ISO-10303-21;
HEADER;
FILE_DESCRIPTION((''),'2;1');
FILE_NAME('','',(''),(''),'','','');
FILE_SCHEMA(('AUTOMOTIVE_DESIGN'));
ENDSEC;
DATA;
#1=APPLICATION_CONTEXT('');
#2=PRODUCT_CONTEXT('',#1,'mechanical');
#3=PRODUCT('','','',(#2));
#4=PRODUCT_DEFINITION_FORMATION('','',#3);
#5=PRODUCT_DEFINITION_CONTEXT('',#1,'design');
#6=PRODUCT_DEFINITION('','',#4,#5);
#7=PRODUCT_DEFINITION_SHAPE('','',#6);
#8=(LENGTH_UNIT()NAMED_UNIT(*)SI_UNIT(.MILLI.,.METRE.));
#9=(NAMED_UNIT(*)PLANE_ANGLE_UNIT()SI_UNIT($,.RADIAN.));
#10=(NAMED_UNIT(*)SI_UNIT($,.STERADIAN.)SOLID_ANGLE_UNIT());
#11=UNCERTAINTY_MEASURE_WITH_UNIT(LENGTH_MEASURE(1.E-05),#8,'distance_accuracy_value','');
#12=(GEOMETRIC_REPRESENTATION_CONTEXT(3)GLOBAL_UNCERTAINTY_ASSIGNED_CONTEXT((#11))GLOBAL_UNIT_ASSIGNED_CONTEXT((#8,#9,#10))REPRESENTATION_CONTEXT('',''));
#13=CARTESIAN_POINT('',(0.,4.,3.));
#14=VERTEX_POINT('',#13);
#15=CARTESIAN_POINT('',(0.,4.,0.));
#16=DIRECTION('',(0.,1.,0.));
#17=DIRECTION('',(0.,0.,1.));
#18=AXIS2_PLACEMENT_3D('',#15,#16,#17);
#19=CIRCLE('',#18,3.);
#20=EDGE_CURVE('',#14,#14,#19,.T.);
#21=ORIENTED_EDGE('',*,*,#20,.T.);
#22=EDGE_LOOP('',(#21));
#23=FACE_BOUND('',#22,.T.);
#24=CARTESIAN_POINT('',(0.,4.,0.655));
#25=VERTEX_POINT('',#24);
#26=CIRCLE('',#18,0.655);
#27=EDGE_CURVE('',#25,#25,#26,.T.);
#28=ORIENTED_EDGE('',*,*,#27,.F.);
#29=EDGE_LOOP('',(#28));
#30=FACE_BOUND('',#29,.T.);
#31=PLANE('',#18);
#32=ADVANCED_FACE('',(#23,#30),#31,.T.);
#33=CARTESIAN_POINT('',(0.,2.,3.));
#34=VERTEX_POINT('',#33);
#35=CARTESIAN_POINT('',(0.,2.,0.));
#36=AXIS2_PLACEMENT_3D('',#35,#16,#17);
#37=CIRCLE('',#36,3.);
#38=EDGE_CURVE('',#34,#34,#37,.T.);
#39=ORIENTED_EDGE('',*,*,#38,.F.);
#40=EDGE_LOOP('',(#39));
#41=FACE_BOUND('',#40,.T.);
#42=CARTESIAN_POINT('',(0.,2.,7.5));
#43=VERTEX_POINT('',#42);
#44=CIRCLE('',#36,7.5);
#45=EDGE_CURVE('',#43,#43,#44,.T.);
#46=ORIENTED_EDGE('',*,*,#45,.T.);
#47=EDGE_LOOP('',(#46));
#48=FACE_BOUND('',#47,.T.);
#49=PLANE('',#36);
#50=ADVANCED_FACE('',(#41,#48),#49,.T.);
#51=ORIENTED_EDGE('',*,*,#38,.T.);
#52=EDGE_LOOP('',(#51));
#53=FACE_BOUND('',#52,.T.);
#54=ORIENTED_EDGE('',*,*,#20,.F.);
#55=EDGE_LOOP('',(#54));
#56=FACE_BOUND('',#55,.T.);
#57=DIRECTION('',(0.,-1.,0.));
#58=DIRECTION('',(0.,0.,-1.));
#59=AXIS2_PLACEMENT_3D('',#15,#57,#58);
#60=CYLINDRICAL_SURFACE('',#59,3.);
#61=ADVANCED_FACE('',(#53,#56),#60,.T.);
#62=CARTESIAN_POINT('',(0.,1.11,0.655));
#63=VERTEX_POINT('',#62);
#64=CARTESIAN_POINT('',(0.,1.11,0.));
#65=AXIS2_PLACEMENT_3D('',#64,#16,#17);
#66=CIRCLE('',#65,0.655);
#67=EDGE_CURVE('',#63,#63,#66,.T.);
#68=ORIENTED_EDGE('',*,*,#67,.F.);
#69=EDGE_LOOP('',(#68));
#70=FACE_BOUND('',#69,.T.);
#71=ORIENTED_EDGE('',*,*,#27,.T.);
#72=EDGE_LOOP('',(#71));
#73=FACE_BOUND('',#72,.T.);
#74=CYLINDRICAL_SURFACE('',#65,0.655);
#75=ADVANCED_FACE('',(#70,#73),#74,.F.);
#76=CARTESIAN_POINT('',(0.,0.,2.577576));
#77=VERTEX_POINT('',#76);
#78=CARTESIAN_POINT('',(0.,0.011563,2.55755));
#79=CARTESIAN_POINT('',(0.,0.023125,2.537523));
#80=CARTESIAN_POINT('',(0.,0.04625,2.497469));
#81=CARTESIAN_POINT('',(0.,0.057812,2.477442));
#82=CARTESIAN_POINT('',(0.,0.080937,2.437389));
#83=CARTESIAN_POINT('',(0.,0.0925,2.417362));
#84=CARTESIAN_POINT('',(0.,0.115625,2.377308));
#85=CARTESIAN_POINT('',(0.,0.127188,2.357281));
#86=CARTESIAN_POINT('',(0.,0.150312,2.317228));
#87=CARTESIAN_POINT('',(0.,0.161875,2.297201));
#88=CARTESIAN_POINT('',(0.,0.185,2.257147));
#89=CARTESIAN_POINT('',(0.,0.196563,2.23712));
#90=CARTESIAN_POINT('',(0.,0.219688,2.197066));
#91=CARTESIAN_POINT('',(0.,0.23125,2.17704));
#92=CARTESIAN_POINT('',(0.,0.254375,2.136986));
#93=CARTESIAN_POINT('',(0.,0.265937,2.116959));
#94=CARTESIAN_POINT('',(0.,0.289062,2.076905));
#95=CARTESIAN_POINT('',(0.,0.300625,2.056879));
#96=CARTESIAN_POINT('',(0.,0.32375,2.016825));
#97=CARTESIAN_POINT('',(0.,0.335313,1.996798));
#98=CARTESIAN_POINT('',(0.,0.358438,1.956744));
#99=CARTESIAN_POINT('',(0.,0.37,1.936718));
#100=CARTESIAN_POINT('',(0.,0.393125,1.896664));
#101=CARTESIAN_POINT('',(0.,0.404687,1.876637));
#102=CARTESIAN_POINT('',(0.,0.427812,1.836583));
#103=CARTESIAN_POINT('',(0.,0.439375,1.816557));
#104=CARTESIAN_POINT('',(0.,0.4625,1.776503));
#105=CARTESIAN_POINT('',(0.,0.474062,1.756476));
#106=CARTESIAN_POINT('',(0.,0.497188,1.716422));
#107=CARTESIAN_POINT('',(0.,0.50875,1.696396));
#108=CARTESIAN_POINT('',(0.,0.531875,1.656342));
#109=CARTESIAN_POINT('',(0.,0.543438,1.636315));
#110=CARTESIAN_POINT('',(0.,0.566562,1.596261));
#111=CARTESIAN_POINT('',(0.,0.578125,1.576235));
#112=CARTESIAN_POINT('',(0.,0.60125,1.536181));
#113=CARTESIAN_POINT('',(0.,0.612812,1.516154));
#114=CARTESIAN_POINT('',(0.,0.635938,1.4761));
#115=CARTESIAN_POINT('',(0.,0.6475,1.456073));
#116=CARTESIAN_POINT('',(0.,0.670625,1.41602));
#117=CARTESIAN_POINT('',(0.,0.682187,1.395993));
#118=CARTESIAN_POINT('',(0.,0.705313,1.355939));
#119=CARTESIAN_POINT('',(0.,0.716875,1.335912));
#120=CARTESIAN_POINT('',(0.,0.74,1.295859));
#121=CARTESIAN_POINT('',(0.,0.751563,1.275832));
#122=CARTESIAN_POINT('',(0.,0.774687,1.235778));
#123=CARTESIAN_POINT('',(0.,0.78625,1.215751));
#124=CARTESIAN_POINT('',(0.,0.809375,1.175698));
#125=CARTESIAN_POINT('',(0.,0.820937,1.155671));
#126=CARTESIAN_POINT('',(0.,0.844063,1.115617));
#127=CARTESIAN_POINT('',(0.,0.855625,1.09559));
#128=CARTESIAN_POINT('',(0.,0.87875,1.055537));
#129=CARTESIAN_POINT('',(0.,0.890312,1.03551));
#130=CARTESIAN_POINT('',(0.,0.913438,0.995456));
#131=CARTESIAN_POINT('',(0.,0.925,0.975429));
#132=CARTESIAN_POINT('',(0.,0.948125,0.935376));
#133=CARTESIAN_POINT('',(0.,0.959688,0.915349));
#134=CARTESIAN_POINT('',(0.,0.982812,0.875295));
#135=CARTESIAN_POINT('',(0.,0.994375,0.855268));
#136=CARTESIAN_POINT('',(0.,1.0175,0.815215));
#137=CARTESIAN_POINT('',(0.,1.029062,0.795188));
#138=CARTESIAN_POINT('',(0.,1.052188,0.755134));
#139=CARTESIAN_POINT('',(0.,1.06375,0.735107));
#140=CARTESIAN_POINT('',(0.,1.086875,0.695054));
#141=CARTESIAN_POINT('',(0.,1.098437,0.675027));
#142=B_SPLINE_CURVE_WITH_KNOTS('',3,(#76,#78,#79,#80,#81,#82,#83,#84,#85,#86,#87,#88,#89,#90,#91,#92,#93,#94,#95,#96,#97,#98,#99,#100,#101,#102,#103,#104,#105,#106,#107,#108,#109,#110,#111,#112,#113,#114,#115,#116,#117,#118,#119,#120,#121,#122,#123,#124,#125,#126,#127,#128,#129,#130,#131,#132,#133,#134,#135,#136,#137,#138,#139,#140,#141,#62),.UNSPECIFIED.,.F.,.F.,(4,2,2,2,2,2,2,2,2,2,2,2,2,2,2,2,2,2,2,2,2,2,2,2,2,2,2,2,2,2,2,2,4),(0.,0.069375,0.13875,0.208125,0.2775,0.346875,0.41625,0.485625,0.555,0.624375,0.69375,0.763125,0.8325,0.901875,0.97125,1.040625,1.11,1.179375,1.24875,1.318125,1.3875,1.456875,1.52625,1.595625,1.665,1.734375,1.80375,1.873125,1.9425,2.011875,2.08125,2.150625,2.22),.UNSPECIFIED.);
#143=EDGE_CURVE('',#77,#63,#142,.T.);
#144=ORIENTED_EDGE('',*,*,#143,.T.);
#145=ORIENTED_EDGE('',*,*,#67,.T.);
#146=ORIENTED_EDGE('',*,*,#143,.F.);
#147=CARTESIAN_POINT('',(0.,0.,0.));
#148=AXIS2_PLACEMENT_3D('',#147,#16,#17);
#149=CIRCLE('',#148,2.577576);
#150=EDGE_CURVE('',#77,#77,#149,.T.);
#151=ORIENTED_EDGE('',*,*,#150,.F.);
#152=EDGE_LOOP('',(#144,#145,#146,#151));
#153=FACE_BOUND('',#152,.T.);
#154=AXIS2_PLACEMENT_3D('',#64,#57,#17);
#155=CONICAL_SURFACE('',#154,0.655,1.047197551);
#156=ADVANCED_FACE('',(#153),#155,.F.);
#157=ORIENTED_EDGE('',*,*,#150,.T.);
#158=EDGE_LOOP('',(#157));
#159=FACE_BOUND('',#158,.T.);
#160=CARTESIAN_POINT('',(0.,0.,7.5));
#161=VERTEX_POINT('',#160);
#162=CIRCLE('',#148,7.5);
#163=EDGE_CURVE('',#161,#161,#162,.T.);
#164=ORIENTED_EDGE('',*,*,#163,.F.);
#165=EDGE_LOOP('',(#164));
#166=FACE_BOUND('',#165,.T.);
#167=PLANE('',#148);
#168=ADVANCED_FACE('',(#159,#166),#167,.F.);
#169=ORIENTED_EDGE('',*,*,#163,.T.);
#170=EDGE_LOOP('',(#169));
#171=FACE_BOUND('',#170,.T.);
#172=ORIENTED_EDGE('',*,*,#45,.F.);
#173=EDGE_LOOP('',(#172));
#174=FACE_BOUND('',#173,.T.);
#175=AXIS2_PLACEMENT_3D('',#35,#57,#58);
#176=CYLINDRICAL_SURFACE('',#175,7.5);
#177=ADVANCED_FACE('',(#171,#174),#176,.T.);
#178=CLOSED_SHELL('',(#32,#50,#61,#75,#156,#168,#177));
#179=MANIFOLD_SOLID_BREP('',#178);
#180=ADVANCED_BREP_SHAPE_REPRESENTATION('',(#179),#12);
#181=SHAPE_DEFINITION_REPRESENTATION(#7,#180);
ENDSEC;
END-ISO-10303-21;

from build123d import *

# Parameters (mm, degrees)
SKETCH1_R           = 7.5
BOSS_EXTRUDE1_DEPTH = 2
SKETCH2_R           = 3
BOSS_EXTRUDE2_DEPTH = 2
SKETCH3_R           = 0.655
CUT_EXTRUDE1_DEPTH  = 2.89
SKETCH4_R           = 0.655
CUT_EXTRUDE3_DEPTH  = 1.11
CUT_EXTRUDE3_DRAFT  = 60


with BuildPart() as part:
    # Sketch1 → Boss-Extrude1 (new body)
    with BuildSketch(Plane(origin=(0, 0, 0), x_dir=(1, 0, 0), z_dir=(0, 1, 0))):
        with Locations(Location((0, 0, 0), (0, 0, 270))):
            Circle(SKETCH1_R)
    extrude(amount=BOSS_EXTRUDE1_DEPTH)

    # Sketch2 → Boss-Extrude2 (add)
    with BuildSketch(Plane(origin=(0, 2, 0), x_dir=(1, 0, 0), z_dir=(0, 1, 0))):
        with Locations(Location((0, 0, 0), (0, 0, 270))):
            Circle(SKETCH2_R)
    extrude(amount=BOSS_EXTRUDE2_DEPTH)

    # Sketch3 → Cut-Extrude1 (cut)
    with BuildSketch(Plane(origin=(0, 4, 0), x_dir=(1, 0, 0), z_dir=(0, 1, 0))):
        with Locations(Location((0, 0, 0), (0, 0, 270))):
            Circle(SKETCH3_R)
    extrude(amount=-CUT_EXTRUDE1_DEPTH, mode=Mode.SUBTRACT)


with BuildPart() as cut_extrude3_tool:
    # Sketch4 → Cut-Extrude3 (with draft: the straight prism first)
    with BuildSketch(Plane(origin=(0, 1.11, 0), x_dir=(1, 0, 0), z_dir=(0, 1, 0))):
        with Locations(Location((0, 0, 0), (0, 0, 270))):
            Circle(SKETCH4_R)
    extrude(amount=-CUT_EXTRUDE3_DEPTH)
    # Cut-Extrude3: the draft: its side faces are tilted about the plane it starts from
    cut_extrude3_sides = [cut_extrude3_tool.faces().sort_by_distance(p)[0] for p in [
        (0, 0.555, -0.655),
    ]]
    draft(cut_extrude3_sides, Plane(origin=(0, 1.11, 0), x_dir=(1, 0, 0), z_dir=(0, 1, 0)), CUT_EXTRUDE3_DRAFT)


with BuildPart() as part_1:
    add(part.part)

    # Cut-Extrude3: cut by cut_extrude3_tool
    add(cut_extrude3_tool.part, mode=Mode.SUBTRACT)


solid = part_1.part
